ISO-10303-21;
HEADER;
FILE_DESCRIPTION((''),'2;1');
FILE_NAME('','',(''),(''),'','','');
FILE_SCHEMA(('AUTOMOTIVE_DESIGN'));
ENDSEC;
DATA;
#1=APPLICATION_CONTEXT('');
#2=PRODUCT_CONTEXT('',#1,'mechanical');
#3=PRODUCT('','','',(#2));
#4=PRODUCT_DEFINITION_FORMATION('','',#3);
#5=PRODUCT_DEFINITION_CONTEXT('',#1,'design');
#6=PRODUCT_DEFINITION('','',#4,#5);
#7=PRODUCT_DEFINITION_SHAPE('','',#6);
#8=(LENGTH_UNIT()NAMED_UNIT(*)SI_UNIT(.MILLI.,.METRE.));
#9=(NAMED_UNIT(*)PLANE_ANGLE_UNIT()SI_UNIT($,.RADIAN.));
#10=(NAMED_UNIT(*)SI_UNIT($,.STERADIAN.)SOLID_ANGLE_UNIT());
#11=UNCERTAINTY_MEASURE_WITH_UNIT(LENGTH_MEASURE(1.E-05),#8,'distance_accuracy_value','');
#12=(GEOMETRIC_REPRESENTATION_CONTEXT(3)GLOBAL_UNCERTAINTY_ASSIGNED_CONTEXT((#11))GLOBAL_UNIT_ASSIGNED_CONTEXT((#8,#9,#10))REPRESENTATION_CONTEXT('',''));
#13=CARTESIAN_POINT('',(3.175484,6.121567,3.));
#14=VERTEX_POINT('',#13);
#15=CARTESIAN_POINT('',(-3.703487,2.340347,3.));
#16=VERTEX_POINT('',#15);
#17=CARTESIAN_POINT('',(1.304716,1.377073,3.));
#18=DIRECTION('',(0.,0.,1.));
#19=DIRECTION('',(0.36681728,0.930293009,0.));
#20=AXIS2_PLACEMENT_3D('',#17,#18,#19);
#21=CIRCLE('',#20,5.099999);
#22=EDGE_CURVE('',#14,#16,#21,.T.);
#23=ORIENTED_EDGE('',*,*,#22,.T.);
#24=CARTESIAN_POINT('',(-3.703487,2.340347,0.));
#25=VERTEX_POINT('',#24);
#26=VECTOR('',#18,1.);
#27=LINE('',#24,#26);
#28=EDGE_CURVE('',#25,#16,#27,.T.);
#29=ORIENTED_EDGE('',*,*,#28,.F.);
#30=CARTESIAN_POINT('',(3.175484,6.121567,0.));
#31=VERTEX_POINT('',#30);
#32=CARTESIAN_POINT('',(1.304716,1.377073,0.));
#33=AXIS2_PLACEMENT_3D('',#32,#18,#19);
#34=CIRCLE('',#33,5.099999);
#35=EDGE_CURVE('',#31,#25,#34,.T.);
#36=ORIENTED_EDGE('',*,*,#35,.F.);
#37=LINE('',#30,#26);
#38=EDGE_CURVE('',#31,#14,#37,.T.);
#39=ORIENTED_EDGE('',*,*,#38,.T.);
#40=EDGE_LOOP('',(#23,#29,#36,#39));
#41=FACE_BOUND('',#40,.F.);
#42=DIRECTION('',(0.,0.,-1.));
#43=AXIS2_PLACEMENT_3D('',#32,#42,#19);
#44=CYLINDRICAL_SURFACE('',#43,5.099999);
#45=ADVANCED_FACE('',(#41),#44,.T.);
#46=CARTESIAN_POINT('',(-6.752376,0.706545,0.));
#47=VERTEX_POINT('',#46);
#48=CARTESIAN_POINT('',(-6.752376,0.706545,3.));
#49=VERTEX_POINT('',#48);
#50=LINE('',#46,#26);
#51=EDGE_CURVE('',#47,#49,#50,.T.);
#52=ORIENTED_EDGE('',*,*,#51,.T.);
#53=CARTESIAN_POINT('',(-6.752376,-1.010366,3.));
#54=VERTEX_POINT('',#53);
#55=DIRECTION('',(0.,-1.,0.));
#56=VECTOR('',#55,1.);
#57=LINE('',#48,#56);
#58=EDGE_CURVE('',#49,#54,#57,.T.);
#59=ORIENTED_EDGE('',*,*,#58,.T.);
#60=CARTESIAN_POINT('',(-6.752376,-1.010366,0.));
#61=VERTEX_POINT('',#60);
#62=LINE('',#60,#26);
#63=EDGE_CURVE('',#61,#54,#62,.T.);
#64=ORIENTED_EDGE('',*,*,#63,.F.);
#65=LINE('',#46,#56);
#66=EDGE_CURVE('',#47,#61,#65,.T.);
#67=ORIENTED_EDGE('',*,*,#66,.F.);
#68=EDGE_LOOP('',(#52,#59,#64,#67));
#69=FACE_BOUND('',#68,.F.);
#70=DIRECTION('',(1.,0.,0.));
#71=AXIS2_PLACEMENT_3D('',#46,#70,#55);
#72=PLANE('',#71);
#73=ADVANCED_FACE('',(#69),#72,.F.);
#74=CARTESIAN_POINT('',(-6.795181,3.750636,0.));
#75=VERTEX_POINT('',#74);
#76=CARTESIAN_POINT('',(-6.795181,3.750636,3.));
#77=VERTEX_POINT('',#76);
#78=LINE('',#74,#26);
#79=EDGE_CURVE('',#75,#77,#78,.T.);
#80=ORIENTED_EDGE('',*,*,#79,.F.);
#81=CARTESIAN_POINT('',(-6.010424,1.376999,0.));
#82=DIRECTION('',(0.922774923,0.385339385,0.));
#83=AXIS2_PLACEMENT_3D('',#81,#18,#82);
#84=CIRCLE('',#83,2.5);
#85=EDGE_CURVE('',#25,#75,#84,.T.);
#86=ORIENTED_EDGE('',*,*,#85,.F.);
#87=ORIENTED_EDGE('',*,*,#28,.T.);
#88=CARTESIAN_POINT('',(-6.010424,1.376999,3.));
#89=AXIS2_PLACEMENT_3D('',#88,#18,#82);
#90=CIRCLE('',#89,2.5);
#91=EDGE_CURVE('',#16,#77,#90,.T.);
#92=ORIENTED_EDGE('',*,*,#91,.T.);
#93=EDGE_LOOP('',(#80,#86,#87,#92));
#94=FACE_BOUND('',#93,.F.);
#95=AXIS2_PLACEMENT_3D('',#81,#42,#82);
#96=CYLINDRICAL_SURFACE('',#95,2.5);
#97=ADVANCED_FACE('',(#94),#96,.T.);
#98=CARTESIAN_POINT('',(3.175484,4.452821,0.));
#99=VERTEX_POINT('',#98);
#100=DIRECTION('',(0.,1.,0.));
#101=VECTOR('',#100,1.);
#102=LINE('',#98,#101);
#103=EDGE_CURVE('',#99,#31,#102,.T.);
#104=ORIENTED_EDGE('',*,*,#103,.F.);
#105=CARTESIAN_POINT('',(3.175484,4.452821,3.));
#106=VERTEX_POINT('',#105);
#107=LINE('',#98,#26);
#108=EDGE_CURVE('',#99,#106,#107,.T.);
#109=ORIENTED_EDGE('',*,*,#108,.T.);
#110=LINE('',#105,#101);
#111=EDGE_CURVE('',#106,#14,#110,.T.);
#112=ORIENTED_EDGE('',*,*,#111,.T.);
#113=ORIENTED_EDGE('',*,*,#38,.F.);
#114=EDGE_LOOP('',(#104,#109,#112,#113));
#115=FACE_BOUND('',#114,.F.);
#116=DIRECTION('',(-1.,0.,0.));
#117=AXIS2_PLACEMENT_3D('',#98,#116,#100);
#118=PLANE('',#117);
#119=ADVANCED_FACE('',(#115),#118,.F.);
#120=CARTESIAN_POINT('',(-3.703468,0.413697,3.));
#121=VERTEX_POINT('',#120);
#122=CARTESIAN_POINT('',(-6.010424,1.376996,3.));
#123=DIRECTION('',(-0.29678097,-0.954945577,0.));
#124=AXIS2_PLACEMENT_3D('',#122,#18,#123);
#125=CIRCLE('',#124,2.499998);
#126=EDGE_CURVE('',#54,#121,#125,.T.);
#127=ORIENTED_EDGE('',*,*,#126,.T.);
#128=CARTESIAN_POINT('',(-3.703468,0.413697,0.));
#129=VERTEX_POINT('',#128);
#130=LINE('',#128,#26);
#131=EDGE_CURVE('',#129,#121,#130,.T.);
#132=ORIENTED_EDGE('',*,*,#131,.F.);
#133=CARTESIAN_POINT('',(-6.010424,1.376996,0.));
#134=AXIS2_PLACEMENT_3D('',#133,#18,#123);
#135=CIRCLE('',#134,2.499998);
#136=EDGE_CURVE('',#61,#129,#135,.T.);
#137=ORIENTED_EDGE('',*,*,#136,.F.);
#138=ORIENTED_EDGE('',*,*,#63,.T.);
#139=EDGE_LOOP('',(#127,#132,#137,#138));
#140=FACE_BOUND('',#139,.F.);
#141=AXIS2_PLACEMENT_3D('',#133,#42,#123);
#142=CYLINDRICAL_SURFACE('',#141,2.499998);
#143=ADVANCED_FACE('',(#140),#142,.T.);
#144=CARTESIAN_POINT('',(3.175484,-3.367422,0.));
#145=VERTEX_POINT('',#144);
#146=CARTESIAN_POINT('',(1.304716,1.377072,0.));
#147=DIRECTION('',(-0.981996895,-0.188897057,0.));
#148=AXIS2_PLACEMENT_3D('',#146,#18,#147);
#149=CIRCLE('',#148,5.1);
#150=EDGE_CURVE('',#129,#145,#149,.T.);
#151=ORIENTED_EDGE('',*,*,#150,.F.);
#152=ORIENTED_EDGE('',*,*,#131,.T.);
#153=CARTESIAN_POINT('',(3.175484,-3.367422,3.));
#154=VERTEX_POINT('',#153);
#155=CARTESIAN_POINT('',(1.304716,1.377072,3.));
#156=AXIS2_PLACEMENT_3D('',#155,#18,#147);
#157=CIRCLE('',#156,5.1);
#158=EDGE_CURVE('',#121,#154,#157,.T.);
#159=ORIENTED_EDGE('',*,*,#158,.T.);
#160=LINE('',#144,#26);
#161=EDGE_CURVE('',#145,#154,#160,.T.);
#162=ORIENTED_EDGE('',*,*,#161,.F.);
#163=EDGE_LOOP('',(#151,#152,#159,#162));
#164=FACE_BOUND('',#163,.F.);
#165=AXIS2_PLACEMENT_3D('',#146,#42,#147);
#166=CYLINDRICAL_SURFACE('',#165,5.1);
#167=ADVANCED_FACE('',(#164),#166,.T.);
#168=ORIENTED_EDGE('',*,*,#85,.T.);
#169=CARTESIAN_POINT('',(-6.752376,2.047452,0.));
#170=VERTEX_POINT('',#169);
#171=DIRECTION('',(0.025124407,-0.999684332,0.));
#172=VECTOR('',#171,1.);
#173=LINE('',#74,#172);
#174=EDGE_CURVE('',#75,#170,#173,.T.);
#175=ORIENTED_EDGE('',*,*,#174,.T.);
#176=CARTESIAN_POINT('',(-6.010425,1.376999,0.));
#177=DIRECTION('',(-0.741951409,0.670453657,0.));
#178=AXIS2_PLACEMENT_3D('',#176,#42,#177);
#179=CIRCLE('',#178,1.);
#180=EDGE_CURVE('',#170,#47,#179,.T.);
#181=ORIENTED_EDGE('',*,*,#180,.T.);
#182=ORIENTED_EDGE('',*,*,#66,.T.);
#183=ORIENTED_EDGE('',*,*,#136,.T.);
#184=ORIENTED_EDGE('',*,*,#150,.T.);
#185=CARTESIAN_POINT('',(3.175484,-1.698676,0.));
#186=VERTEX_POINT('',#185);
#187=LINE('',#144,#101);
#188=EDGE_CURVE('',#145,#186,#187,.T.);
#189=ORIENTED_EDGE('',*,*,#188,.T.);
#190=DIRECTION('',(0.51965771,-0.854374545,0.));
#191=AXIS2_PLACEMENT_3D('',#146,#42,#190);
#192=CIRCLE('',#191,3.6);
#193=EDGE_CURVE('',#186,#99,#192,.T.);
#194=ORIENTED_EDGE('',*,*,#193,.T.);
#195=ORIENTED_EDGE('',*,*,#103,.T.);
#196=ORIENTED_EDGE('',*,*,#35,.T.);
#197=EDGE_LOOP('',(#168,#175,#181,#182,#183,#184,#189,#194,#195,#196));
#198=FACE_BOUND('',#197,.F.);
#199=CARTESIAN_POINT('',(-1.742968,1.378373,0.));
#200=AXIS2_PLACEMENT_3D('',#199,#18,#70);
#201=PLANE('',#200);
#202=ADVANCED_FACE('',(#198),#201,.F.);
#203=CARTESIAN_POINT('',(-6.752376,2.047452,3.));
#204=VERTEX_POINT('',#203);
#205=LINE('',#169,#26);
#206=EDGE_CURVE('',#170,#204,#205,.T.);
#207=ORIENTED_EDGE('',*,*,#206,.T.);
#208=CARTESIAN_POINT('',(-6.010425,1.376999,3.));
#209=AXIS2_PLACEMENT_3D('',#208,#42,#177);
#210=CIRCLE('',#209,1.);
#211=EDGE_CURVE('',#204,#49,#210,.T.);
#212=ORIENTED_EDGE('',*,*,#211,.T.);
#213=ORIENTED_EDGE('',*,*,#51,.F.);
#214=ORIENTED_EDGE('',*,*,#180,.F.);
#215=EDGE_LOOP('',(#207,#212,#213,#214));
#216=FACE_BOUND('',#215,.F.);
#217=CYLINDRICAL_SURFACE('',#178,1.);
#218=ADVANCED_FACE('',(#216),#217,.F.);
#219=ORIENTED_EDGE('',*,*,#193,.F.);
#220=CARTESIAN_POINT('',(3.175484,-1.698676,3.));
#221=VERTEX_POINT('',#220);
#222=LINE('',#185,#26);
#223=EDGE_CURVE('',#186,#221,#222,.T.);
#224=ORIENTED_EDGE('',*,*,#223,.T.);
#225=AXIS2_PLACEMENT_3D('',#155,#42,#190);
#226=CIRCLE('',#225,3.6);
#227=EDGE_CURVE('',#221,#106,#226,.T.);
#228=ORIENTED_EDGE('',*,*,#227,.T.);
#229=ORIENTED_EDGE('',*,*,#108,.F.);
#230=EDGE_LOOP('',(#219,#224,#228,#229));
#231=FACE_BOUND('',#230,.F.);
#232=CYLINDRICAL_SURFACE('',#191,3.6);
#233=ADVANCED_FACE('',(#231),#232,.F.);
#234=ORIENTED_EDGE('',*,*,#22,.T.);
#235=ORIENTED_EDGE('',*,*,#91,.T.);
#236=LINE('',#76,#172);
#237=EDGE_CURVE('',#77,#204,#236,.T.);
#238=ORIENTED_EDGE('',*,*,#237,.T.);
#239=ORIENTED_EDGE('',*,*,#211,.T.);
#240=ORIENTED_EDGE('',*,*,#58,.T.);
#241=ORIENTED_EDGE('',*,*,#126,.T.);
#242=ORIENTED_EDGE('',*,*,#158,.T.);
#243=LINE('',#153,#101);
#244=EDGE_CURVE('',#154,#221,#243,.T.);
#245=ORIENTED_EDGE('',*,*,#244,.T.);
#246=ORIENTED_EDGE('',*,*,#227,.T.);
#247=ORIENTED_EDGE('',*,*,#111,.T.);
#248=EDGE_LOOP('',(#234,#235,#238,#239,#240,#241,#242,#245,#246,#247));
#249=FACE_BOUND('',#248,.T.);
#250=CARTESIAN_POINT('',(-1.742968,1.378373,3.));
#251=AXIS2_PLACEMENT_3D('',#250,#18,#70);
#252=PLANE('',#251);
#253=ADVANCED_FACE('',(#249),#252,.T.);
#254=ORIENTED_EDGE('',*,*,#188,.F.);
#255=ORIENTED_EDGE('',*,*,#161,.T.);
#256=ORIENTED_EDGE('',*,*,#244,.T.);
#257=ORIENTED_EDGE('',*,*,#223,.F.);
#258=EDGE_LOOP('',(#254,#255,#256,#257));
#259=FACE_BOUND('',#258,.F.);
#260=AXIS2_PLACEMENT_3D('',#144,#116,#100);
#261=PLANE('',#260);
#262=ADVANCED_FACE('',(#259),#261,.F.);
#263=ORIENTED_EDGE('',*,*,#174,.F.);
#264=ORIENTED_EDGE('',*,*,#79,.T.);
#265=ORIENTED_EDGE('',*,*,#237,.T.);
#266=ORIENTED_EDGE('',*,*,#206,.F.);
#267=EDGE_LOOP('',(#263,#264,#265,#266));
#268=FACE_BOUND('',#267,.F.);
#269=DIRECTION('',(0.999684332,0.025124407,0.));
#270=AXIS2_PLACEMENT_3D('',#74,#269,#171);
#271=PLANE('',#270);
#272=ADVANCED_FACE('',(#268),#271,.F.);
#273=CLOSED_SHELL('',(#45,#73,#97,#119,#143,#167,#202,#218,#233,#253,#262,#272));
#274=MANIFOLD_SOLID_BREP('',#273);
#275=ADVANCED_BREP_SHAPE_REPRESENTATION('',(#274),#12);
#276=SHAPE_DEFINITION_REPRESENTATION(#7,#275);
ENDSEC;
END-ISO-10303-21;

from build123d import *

# Parameters (mm, degrees)
F1_DEPTH = 3


with BuildPart() as f1:
    # F0 (on Top) → F1 (new body)
    with BuildSketch(Plane.XY):
        with BuildLine():
            ThreePointArc((3.175484, -1.698676), (-2.295284, 1.377072), (3.175484, 4.452821))
            Line((3.175484, 4.452821), (3.175484, 6.121567))
            ThreePointArc((3.175484, 6.121567), (-1.151965, 5.846381), (-3.703487, 2.340347))
            ThreePointArc((-3.703487, 2.340347), (-4.972885, 3.651534), (-6.795181, 3.750636))
            Line((-6.795181, 3.750636), (-6.752376, 2.047452))
            ThreePointArc((-6.752376, 2.047452), (-5.010425, 1.376998), (-6.752376, 0.706545))
            Line((-6.752376, 0.706545), (-6.752376, -1.010366))
            ThreePointArc((-6.752376, -1.010366), (-4.952455, -0.888107), (-3.703468, 0.413697))
            ThreePointArc((-3.703468, 0.413697), (-1.15192, -3.092261), (3.175484, -3.367422))
            Line((3.175484, -3.367422), (3.175484, -1.698676))
        make_face()
    extrude(amount=F1_DEPTH)


solid = f1.part
